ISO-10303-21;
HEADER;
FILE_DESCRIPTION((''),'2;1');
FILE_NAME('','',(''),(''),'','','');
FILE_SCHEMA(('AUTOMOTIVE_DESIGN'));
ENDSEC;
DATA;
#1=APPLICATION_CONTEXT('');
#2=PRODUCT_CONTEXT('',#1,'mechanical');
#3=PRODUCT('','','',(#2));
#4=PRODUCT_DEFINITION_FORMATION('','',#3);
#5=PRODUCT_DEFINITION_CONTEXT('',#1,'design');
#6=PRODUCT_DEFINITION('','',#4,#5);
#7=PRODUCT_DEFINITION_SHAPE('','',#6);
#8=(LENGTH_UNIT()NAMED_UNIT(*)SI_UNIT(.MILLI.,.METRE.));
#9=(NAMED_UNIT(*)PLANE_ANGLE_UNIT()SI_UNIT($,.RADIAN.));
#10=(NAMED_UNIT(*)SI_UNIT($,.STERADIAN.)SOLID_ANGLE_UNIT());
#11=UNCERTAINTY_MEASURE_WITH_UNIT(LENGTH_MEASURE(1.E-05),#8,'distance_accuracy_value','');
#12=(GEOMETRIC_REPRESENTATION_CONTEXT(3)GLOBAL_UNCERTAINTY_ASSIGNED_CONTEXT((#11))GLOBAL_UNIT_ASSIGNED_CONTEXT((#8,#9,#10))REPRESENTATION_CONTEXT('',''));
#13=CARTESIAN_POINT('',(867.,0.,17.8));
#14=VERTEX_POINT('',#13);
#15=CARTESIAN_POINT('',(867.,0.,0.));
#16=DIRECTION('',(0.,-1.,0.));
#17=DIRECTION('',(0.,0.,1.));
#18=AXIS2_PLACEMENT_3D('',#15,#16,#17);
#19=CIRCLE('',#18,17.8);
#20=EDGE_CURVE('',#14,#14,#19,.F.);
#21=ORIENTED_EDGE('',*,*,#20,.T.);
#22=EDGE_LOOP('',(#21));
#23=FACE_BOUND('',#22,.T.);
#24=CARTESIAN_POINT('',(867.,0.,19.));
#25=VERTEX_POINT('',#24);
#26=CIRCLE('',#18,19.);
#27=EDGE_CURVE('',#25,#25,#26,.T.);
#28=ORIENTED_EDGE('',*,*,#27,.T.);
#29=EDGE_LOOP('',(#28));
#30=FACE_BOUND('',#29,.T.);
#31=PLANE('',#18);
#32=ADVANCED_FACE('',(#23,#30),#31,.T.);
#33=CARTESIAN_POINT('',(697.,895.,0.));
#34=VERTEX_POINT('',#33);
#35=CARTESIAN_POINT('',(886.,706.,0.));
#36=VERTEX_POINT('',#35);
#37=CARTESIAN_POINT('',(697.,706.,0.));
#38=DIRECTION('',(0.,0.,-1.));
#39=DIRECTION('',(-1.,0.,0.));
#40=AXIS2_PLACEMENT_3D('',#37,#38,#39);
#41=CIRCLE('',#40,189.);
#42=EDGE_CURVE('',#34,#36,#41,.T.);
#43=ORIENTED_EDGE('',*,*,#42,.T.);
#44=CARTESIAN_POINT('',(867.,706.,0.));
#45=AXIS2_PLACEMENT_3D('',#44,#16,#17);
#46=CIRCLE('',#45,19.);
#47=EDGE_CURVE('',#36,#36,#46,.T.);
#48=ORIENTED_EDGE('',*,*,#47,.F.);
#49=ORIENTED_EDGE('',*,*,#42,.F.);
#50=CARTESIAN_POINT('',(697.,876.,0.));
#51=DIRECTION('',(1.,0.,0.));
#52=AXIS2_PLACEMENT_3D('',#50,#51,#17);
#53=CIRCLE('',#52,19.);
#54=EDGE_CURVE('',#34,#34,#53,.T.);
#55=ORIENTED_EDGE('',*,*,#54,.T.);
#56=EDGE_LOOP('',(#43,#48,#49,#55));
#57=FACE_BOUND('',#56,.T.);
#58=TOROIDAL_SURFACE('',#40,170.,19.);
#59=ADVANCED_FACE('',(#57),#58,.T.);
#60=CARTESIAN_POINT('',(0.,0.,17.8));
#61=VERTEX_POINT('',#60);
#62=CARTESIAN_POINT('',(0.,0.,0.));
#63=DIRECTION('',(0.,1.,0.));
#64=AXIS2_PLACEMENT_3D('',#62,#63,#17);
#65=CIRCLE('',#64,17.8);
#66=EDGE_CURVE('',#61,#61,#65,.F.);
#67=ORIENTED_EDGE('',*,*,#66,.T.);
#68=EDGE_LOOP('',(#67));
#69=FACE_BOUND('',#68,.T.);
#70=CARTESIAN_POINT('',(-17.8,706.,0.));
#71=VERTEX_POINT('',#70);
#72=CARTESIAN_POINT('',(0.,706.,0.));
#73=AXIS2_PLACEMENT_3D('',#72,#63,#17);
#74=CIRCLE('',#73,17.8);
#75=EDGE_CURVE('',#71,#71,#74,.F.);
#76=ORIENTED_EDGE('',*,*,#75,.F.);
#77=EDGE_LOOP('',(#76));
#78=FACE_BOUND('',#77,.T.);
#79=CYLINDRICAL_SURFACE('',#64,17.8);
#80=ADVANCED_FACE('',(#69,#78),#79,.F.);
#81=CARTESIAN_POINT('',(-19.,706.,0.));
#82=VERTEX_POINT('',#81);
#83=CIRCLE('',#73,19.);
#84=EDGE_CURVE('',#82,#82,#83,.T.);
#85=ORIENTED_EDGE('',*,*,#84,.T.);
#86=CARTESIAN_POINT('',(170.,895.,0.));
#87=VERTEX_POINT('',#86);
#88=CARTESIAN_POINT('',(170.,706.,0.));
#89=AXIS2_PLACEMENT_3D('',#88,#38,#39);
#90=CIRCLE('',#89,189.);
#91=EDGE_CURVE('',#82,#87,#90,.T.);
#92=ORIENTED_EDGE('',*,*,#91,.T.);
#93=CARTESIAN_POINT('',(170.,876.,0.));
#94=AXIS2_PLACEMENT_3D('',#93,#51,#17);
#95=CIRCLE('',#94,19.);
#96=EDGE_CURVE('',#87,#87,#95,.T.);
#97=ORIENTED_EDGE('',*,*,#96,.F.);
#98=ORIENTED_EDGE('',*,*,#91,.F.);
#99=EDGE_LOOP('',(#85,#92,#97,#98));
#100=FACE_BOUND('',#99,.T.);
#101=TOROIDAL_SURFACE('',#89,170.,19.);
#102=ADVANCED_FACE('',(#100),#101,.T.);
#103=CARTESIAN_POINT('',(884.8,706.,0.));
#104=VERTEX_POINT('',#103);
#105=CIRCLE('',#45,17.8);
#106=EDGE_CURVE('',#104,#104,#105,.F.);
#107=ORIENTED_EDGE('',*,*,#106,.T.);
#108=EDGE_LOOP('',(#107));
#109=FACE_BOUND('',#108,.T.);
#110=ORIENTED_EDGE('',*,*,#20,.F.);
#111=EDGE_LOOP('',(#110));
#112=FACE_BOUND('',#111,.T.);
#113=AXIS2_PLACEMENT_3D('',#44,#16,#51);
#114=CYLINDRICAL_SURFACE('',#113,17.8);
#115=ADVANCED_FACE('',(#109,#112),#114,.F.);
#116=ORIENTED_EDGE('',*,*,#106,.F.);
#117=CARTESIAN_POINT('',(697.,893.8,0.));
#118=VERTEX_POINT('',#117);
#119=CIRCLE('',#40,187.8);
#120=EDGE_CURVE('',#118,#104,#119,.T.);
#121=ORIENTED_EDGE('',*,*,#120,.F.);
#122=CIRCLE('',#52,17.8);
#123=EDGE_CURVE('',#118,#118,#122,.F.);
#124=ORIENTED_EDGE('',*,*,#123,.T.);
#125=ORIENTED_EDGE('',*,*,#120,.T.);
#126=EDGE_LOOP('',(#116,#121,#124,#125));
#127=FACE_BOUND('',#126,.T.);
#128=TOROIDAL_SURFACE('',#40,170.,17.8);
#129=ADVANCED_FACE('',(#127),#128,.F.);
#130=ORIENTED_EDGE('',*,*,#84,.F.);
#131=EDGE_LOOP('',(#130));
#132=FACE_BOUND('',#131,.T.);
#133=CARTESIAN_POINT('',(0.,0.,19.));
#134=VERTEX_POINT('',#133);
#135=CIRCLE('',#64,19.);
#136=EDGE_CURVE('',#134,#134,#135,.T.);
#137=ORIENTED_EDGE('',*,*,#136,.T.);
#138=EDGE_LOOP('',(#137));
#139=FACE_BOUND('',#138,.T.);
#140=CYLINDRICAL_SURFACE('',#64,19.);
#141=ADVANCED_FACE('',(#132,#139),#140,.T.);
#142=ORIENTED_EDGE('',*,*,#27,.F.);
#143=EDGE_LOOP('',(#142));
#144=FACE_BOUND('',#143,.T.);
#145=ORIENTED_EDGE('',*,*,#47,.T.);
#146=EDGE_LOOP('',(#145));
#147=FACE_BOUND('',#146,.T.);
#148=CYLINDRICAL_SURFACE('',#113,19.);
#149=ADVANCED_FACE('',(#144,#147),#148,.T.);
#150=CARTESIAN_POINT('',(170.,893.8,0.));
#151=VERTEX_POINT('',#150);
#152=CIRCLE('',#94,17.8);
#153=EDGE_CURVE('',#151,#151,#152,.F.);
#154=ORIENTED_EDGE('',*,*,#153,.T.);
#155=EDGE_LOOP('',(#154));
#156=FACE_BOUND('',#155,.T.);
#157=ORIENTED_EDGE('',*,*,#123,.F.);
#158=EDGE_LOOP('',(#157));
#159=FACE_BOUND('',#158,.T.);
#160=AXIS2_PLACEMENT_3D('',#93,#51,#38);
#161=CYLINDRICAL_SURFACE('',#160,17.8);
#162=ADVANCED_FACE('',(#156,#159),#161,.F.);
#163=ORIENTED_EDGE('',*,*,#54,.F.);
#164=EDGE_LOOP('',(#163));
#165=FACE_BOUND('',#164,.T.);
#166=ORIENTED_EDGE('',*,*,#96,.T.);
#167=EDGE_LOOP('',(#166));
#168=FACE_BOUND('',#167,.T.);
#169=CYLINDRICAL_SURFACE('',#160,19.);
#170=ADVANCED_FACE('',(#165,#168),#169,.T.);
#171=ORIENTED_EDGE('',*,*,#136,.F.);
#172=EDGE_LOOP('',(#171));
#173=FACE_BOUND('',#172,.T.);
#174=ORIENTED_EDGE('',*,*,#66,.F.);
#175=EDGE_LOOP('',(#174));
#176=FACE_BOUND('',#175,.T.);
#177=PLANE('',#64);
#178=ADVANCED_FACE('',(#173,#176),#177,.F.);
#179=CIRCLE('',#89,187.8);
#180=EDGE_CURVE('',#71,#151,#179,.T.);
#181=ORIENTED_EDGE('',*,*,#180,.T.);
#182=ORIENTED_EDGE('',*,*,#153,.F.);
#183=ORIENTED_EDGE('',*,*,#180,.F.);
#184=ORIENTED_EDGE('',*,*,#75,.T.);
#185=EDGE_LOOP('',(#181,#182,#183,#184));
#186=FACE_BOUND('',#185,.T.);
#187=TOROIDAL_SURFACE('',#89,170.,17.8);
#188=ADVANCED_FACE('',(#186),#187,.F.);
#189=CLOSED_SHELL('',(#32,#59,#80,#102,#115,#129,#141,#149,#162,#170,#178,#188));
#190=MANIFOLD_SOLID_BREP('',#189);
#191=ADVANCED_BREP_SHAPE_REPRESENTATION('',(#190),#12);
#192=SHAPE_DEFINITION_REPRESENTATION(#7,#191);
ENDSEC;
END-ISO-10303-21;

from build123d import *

# Parameters (mm, degrees)
SKETCH2_R   = 19
SKETCH2_R_2 = 17.8


with BuildPart() as part:
    # Sweep1: sweep along a path in Sketch1
    with BuildLine(Plane.XY) as sweep1_path:
        Line((0, 0), (0, 706))
        ThreePointArc((0, 706), (49.791847198, 826.208152802), (170, 876))
        Line((170, 876), (697, 876))
        ThreePointArc((697, 876), (817.208152802, 826.208152802), (867, 706))
        Line((867, 706), (867, 0))
    # Sketch2 → Sweep1 (sweep)
    with BuildSketch(Plane(origin=(0, 0, 0), x_dir=(1, 0, 0), z_dir=(0, 1, 0))):
        Circle(SKETCH2_R)
        Circle(SKETCH2_R_2, mode=Mode.SUBTRACT)
    sweep(path=sweep1_path.line)


solid = part.part
